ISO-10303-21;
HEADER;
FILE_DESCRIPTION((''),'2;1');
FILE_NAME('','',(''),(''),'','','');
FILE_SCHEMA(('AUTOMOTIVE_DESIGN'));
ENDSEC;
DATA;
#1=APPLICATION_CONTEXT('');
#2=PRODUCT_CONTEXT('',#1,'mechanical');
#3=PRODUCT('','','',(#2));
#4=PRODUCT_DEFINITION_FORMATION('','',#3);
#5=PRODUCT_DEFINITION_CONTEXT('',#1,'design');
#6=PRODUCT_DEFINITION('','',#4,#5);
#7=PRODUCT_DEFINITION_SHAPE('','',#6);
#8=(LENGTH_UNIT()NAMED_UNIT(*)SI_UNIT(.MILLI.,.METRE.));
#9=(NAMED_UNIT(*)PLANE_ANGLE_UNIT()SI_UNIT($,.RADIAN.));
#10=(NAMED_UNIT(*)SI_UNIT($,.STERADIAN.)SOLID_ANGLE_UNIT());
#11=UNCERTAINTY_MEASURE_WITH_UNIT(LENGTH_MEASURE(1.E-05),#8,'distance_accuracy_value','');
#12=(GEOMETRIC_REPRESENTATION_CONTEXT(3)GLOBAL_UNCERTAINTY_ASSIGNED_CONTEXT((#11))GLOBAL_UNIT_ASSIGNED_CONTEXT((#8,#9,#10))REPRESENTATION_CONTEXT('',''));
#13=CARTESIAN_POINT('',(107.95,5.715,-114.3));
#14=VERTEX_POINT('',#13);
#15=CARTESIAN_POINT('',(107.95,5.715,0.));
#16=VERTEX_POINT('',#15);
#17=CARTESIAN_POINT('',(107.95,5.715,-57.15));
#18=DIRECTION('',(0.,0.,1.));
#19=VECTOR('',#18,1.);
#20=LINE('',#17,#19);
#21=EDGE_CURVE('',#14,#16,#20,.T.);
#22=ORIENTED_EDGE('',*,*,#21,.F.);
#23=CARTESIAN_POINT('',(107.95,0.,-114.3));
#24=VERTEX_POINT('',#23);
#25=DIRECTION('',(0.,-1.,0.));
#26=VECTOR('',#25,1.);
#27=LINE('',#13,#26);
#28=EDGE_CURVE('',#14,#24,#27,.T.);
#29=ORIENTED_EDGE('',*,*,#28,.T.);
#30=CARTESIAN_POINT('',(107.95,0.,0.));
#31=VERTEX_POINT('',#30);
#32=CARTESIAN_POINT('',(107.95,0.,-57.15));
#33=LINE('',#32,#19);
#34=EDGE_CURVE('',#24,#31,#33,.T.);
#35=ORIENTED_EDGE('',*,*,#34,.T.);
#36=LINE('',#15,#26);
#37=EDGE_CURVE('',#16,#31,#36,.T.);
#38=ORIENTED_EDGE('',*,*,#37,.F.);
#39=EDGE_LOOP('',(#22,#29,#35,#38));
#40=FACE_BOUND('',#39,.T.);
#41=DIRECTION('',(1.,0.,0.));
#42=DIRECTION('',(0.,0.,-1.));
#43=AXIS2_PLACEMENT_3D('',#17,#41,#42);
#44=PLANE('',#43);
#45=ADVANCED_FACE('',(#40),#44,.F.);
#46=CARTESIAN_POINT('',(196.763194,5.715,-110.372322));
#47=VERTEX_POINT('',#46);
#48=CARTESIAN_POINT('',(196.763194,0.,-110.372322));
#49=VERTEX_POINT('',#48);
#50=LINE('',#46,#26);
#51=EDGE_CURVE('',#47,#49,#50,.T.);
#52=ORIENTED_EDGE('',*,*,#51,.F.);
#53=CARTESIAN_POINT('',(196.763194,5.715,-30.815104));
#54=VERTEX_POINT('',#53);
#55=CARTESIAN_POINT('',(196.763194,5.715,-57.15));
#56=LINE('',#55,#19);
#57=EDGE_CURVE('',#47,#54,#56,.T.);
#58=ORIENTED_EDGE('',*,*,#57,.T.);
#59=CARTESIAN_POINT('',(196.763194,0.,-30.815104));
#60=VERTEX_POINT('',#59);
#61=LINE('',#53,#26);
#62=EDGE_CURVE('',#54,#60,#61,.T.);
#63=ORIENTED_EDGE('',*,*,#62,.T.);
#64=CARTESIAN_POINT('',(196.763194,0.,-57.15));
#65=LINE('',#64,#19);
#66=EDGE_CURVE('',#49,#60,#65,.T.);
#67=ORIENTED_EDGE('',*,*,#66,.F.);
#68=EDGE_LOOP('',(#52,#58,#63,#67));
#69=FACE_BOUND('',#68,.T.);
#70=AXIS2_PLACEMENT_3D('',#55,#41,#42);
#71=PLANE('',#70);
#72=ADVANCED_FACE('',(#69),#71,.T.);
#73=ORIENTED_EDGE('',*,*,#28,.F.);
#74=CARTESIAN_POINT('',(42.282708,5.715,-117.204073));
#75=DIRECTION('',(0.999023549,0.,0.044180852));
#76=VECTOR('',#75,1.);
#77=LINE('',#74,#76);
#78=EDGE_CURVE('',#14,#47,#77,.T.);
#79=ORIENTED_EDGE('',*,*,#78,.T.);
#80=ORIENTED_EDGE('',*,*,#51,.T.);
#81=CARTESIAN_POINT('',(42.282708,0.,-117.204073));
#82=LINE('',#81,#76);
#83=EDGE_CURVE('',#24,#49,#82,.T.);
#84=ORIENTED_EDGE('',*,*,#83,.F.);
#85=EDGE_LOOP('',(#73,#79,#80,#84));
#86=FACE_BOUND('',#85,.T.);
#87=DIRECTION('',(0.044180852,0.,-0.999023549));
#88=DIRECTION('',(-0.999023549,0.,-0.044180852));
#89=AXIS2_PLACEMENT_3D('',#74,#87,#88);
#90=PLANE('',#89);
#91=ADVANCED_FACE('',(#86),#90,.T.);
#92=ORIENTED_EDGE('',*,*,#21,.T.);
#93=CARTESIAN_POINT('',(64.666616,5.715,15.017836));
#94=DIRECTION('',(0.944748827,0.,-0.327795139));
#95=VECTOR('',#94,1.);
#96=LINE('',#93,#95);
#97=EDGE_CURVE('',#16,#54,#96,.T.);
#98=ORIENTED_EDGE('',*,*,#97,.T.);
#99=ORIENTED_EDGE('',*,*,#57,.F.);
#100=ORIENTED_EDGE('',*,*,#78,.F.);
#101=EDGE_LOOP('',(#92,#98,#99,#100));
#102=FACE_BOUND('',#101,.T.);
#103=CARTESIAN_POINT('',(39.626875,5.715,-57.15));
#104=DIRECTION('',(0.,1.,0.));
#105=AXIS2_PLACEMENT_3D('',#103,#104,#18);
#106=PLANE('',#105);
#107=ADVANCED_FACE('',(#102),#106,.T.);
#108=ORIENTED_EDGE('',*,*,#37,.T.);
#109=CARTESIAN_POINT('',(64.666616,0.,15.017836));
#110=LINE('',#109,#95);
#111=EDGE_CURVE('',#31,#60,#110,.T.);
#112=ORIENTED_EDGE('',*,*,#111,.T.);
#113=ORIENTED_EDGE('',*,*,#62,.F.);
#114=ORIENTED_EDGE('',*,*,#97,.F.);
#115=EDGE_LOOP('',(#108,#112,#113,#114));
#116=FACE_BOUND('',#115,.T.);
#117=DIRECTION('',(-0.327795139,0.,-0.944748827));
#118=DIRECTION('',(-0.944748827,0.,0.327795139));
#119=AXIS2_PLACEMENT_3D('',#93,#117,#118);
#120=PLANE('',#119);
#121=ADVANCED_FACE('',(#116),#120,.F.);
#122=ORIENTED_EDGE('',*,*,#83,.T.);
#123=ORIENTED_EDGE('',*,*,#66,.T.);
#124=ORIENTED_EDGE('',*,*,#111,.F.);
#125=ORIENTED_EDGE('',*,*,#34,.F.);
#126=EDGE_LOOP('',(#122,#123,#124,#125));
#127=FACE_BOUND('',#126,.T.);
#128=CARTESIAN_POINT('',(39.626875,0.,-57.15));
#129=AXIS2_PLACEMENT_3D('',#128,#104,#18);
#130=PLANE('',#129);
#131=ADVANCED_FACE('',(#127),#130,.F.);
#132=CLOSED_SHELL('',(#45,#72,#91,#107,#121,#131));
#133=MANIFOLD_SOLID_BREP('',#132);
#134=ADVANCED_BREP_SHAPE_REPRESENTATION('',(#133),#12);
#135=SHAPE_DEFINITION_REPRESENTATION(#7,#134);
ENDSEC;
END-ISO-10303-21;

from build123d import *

# Parameters (mm, degrees)
BOSS_EXTRUDE1_DEPTH = 5.715


with BuildPart() as part:
    # Sketch1 → Boss-Extrude1 (new body)
    with BuildSketch(Plane(origin=(0, 0, 0), x_dir=(1, 0, 0), z_dir=(0, 1, 0))):
        Polygon((107.95, 16.763624127), (107.95, 0), (196.763193544, 30.815103758), (196.763193544, 110.372322254), (107.95, 114.3), (107.95, 104.11377721), (107.95, 91.670448695), (107.95, 79.815928293), (107.95, 67.961407891), (107.95, 54.217036411), (107.95, 43.736953157), (107.95, 28.274535242), align=None)
    extrude(amount=BOSS_EXTRUDE1_DEPTH)


solid = part.part
